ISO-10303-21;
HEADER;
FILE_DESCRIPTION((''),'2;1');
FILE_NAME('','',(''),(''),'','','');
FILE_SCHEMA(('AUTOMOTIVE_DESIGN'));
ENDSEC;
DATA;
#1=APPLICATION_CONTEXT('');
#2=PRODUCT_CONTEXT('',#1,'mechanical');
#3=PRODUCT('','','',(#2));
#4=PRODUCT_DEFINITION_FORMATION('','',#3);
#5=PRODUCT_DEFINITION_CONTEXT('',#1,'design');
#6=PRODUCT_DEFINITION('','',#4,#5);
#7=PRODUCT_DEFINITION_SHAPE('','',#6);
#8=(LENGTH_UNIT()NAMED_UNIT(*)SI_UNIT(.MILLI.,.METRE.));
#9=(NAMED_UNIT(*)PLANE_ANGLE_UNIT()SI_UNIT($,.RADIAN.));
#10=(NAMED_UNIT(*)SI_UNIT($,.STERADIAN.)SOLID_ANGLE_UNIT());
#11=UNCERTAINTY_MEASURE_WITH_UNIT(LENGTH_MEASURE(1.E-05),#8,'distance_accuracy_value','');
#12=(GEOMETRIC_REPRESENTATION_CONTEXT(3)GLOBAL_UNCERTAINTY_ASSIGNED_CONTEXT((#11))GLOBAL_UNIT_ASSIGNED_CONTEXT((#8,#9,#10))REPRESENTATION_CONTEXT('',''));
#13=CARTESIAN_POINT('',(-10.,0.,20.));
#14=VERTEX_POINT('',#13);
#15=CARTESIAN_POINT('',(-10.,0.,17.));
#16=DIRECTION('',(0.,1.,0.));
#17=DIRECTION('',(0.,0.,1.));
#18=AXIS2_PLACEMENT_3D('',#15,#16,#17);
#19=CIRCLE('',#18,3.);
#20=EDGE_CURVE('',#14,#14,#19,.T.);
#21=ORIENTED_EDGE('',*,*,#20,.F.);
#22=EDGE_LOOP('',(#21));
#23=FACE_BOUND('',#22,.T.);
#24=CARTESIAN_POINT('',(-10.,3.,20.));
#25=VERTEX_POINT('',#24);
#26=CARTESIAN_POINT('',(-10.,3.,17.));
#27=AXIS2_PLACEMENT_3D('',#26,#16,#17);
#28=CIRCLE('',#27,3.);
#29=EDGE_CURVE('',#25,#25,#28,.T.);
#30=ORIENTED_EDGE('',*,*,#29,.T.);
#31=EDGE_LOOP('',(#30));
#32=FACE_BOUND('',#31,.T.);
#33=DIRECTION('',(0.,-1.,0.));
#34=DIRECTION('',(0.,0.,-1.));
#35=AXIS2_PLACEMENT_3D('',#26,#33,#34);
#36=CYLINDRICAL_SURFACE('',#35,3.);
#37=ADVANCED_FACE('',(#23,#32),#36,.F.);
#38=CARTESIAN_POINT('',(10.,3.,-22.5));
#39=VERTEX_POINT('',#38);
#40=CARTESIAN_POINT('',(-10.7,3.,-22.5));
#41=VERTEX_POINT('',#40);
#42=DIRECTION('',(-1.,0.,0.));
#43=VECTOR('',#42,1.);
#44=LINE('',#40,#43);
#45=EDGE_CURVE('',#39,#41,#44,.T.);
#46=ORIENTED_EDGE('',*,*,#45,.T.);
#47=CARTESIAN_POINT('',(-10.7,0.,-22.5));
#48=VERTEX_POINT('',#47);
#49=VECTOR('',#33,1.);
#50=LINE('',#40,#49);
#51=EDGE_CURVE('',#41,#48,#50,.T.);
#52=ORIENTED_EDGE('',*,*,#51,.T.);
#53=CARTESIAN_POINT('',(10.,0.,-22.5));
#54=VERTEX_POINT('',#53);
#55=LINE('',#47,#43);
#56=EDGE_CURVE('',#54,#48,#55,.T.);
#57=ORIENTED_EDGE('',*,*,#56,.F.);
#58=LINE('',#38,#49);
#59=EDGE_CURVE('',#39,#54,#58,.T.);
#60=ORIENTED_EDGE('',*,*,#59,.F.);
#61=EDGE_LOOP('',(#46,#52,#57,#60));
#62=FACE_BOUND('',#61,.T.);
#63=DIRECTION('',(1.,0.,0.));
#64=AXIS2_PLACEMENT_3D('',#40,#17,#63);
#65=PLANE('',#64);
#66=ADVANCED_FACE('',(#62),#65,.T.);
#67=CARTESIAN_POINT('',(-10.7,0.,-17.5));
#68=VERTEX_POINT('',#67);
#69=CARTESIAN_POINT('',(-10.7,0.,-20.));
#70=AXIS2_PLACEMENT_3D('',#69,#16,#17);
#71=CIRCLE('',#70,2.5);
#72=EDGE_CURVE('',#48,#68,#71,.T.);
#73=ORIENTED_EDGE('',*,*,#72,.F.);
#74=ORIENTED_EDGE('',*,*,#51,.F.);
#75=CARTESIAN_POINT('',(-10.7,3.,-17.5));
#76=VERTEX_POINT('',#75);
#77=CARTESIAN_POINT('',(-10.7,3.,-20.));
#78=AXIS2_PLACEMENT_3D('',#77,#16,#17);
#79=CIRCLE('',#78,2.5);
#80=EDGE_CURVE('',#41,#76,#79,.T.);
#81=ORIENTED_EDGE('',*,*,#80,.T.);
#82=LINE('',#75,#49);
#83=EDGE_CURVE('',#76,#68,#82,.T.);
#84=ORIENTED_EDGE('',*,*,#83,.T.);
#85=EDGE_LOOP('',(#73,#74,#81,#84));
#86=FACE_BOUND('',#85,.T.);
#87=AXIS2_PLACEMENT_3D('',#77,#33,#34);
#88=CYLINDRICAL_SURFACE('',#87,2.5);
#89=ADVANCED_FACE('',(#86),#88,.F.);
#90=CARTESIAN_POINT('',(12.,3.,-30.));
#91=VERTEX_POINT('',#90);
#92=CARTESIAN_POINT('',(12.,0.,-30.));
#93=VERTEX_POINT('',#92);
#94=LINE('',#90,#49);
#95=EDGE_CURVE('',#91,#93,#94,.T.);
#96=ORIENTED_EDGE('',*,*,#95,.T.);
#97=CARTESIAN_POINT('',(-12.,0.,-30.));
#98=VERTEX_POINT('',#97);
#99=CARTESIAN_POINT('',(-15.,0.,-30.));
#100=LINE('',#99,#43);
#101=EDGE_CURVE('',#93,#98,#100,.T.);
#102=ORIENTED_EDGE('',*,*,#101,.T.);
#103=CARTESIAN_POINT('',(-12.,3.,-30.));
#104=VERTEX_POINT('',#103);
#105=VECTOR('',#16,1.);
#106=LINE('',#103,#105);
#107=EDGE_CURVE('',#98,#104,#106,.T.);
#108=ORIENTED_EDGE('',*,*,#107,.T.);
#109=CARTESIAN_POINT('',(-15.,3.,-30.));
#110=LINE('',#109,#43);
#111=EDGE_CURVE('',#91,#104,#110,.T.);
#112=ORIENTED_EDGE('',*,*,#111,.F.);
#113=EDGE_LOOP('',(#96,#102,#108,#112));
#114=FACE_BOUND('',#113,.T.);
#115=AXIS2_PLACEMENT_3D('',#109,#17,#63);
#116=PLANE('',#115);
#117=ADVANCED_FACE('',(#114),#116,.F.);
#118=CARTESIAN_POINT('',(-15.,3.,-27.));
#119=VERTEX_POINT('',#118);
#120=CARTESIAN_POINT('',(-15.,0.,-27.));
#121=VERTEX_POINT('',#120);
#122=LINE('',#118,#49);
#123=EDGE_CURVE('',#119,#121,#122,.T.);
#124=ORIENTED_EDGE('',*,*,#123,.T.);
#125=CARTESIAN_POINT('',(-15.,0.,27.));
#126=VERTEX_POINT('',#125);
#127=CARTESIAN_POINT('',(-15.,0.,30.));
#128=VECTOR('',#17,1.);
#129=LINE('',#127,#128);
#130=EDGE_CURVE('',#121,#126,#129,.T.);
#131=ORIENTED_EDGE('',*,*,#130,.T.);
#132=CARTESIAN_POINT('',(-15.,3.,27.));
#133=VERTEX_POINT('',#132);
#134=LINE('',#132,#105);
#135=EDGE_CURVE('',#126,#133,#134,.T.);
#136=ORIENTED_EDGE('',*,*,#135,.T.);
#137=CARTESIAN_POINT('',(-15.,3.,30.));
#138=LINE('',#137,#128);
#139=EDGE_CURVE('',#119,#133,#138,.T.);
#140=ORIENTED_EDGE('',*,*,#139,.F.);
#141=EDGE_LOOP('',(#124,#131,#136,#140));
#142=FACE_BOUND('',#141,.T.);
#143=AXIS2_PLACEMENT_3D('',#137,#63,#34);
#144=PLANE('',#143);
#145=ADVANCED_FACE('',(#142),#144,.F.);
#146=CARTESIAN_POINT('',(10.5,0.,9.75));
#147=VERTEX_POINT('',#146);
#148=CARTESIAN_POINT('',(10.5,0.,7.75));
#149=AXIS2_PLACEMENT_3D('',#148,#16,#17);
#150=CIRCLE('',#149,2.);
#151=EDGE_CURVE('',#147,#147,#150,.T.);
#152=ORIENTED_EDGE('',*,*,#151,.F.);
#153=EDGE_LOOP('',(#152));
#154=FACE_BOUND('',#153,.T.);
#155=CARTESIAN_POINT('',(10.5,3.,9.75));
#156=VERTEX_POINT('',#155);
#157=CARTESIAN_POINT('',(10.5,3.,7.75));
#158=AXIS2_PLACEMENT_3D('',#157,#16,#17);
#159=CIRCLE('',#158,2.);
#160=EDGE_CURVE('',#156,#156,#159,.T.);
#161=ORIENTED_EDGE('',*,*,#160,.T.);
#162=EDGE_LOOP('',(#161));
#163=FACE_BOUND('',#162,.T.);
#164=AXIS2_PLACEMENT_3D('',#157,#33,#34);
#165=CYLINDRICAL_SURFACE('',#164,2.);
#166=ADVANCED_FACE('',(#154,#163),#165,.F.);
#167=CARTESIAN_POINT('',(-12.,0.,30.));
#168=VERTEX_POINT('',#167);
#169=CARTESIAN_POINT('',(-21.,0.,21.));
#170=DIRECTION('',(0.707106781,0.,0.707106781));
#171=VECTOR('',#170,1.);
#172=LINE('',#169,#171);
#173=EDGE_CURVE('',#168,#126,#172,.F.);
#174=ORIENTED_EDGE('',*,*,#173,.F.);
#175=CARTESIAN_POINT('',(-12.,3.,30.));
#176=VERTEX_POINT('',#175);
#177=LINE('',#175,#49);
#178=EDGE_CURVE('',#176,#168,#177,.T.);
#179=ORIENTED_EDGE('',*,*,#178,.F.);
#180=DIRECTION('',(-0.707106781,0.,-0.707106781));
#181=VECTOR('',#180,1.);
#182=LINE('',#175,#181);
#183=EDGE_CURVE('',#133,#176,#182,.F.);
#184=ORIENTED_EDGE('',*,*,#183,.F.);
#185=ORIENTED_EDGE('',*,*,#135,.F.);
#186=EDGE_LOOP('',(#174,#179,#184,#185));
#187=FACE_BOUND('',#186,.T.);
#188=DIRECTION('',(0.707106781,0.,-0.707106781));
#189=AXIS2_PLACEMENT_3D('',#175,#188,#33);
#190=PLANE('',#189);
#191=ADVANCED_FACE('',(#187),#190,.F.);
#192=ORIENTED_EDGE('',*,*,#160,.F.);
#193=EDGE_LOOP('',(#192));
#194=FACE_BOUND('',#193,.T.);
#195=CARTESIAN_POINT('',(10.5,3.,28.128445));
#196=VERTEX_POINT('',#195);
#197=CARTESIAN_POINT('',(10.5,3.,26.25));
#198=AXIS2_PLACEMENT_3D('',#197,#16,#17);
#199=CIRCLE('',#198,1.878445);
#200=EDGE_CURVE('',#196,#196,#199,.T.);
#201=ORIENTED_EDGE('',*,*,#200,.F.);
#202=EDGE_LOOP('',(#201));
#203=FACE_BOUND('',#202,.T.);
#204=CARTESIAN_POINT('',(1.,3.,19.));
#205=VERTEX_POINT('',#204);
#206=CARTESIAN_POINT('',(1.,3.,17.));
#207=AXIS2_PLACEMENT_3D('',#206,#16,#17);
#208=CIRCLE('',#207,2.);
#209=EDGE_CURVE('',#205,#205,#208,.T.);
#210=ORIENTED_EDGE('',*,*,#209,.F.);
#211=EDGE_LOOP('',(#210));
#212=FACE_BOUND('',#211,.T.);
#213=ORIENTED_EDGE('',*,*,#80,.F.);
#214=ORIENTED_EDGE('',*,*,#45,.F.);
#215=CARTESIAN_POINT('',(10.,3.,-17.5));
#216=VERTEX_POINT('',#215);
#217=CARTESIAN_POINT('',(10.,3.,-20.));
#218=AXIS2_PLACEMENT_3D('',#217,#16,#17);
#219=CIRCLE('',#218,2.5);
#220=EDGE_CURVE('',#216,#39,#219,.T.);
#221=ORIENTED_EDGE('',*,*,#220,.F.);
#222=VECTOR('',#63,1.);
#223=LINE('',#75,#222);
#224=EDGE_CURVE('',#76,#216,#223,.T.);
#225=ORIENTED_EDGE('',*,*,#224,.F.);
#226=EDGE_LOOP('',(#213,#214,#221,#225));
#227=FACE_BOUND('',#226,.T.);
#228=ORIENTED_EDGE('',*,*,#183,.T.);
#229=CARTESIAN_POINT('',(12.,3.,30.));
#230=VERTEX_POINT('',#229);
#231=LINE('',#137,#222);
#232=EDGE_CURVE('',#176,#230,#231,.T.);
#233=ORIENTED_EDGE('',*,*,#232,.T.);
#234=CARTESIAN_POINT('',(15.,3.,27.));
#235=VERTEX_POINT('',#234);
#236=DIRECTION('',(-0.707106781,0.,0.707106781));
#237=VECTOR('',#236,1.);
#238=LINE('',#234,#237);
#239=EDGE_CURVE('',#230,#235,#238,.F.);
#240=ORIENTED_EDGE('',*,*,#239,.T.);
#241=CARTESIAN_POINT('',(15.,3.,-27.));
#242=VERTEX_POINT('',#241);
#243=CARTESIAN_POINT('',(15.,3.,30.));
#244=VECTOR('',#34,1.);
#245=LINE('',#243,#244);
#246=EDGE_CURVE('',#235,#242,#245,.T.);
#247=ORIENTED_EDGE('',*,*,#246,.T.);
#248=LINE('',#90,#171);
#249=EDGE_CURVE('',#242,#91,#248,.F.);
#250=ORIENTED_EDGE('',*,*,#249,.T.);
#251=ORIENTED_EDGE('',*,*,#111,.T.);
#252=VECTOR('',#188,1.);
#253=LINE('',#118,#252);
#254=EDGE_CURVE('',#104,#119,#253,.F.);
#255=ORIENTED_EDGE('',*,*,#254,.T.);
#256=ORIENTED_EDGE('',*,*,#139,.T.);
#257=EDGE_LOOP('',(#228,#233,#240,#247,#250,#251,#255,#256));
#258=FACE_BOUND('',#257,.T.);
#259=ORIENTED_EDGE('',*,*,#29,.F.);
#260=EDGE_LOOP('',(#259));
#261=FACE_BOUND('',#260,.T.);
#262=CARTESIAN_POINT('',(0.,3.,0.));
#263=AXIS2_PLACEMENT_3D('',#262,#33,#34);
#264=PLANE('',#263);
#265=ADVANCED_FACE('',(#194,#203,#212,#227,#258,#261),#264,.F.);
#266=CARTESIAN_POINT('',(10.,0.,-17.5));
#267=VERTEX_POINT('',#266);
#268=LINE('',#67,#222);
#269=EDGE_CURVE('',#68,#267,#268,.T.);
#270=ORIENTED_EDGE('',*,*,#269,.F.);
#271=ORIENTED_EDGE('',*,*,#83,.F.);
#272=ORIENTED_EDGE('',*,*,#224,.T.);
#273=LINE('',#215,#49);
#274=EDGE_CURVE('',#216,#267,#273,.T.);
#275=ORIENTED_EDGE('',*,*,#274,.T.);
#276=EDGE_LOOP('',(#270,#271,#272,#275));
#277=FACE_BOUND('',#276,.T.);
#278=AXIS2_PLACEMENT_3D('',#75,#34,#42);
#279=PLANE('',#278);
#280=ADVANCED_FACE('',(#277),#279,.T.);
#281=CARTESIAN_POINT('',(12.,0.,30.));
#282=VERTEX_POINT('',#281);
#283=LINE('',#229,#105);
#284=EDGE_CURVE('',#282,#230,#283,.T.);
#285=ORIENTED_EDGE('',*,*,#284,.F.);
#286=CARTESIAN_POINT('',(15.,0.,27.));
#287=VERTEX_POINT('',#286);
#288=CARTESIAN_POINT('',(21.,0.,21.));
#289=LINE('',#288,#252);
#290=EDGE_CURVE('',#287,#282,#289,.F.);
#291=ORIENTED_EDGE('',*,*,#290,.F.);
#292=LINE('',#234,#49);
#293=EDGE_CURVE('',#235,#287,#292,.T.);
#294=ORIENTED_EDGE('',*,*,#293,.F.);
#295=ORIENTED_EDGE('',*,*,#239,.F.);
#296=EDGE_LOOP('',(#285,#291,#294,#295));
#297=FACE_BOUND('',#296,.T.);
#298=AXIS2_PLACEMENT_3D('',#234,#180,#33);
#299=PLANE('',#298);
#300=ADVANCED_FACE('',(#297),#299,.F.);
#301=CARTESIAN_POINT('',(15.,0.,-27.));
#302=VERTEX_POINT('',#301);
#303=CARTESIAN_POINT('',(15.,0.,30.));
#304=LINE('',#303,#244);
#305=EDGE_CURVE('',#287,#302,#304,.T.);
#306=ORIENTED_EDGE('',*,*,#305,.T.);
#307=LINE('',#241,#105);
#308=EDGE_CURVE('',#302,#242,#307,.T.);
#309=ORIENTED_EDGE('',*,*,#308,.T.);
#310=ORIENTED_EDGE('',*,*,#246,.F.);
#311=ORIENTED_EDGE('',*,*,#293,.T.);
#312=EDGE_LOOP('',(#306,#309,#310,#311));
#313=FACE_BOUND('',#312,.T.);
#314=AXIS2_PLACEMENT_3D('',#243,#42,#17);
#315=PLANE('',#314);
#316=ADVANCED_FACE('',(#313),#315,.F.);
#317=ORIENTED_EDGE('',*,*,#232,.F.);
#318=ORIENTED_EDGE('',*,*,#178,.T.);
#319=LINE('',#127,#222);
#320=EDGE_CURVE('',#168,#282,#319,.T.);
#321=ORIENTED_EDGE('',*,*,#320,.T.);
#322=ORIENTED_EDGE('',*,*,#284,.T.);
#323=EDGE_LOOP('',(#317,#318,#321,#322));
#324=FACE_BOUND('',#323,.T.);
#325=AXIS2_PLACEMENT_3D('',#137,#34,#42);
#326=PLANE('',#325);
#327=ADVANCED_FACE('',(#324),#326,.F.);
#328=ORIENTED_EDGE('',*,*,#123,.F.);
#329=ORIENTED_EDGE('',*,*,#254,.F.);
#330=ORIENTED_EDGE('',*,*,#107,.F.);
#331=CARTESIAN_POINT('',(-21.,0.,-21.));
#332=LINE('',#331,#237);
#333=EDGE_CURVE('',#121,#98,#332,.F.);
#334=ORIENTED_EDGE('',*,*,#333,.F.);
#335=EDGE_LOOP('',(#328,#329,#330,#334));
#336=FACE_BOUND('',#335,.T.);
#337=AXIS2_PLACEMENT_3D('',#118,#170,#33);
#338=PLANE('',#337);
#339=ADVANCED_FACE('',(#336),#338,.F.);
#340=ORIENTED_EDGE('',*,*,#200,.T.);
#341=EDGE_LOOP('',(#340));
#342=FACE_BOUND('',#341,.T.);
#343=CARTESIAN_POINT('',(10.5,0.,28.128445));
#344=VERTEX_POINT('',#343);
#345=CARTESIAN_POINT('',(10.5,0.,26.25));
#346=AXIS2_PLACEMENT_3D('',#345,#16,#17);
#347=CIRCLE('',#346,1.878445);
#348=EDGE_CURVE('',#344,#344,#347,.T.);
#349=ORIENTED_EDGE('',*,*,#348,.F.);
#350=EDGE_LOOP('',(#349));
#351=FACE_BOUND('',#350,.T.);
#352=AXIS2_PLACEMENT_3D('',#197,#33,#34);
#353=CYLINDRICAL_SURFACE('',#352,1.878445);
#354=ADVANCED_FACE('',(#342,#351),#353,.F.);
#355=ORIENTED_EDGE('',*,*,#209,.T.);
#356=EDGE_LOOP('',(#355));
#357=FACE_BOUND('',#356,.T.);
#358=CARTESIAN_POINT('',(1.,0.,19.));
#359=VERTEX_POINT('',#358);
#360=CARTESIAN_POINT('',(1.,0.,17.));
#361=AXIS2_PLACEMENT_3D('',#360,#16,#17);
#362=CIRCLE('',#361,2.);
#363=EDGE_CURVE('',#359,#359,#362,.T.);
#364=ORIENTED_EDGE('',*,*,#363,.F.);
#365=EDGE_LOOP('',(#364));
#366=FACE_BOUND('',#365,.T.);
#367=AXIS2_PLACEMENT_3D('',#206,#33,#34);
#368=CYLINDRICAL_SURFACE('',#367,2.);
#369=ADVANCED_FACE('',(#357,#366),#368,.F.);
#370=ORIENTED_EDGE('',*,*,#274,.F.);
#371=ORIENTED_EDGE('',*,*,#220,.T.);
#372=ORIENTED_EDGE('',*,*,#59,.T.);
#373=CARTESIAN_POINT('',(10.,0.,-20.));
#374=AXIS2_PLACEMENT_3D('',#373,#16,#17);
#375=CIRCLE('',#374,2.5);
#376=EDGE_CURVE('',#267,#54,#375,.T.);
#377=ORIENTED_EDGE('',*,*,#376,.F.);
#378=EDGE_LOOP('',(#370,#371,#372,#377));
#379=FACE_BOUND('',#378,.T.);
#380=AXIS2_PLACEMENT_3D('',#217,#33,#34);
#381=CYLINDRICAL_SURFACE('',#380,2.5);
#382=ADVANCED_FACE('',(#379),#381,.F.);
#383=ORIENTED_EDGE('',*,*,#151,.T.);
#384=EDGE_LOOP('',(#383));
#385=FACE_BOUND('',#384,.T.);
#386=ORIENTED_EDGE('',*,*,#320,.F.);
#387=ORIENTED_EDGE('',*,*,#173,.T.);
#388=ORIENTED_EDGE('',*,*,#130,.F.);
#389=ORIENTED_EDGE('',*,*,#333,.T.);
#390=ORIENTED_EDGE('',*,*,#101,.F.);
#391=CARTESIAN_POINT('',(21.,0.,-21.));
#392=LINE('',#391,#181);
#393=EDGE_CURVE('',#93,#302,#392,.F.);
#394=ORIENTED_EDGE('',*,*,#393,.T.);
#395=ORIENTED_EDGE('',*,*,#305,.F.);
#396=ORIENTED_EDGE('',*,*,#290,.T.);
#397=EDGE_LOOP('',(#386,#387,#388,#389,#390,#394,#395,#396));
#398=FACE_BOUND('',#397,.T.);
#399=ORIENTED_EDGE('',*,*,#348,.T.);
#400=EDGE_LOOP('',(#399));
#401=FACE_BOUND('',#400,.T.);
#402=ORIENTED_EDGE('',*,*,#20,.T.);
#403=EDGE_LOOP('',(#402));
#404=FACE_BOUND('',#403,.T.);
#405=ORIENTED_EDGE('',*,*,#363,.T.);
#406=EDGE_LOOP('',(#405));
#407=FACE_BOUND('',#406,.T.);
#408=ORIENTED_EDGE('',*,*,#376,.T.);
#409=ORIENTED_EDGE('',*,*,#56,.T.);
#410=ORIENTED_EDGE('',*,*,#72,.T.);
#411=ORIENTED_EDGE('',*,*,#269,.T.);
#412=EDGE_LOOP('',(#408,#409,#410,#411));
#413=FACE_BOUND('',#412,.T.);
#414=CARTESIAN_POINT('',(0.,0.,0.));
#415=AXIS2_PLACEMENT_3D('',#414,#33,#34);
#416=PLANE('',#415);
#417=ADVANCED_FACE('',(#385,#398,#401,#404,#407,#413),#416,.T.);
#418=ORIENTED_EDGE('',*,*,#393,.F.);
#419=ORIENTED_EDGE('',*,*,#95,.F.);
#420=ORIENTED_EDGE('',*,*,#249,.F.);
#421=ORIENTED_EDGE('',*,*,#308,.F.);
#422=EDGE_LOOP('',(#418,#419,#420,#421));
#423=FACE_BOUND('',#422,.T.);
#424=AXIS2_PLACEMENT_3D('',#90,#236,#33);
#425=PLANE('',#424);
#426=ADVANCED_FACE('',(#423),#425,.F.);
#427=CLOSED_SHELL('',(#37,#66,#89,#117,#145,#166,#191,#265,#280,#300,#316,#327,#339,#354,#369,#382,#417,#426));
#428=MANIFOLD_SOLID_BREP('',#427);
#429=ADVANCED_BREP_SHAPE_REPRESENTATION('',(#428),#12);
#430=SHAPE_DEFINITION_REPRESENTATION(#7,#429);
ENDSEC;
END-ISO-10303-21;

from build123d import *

# Parameters (mm, degrees)
CROQUIS1_W              = 30
CROQUIS1_H              = 60
CROQUIS1_R              = 3
CROQUIS1_R_2            = 2
CROQUIS1_R_3            = 1.878445215
SALIENTE_EXTRUIR1_DEPTH = 3
CHAFL_N1_SIZE           = 3


with BuildPart() as part:
    # Croquis1 → Saliente-Extruir1 (new body)
    with BuildSketch(Plane(origin=(0, 0, 0), x_dir=(1, 0, 0), z_dir=(0, 1, 0))):
        Rectangle(CROQUIS1_W, CROQUIS1_H)
        with Locations(Location((-10, -17, 0), (0, 0, 270))):
            Circle(CROQUIS1_R, mode=Mode.SUBTRACT)
        with Locations(Location((1, -17, 0), (0, 0, 270))):
            Circle(CROQUIS1_R_2, mode=Mode.SUBTRACT)
        with Locations(Location((10.5, -7.75, 0), (0, 0, 270))):
            Circle(CROQUIS1_R_2, mode=Mode.SUBTRACT)
        with Locations(Location((10.5, -26.25, 0), (0, 0, 270))):
            Circle(CROQUIS1_R_3, mode=Mode.SUBTRACT)
        with BuildLine():
            Line((-10.7, 17.5), (10, 17.5))
            ThreePointArc((10, 17.5), (12.5, 20), (10, 22.5))
            Line((10, 22.5), (-10.7, 22.5))
            ThreePointArc((-10.7, 22.5), (-13.2, 20), (-10.7, 17.5))
        make_face(mode=Mode.SUBTRACT)
    extrude(amount=SALIENTE_EXTRUIR1_DEPTH)

    # Chaflán1
    chafl_n1_edges = [part.edges().sort_by_distance(p)[0] for p in [
        (15, 1.5, 30),
        (-15, 1.5, 30),
        (-15, 1.5, -30),
        (15, 1.5, -30),
    ]]
    chamfer(chafl_n1_edges, length=CHAFL_N1_SIZE)


solid = part.part
